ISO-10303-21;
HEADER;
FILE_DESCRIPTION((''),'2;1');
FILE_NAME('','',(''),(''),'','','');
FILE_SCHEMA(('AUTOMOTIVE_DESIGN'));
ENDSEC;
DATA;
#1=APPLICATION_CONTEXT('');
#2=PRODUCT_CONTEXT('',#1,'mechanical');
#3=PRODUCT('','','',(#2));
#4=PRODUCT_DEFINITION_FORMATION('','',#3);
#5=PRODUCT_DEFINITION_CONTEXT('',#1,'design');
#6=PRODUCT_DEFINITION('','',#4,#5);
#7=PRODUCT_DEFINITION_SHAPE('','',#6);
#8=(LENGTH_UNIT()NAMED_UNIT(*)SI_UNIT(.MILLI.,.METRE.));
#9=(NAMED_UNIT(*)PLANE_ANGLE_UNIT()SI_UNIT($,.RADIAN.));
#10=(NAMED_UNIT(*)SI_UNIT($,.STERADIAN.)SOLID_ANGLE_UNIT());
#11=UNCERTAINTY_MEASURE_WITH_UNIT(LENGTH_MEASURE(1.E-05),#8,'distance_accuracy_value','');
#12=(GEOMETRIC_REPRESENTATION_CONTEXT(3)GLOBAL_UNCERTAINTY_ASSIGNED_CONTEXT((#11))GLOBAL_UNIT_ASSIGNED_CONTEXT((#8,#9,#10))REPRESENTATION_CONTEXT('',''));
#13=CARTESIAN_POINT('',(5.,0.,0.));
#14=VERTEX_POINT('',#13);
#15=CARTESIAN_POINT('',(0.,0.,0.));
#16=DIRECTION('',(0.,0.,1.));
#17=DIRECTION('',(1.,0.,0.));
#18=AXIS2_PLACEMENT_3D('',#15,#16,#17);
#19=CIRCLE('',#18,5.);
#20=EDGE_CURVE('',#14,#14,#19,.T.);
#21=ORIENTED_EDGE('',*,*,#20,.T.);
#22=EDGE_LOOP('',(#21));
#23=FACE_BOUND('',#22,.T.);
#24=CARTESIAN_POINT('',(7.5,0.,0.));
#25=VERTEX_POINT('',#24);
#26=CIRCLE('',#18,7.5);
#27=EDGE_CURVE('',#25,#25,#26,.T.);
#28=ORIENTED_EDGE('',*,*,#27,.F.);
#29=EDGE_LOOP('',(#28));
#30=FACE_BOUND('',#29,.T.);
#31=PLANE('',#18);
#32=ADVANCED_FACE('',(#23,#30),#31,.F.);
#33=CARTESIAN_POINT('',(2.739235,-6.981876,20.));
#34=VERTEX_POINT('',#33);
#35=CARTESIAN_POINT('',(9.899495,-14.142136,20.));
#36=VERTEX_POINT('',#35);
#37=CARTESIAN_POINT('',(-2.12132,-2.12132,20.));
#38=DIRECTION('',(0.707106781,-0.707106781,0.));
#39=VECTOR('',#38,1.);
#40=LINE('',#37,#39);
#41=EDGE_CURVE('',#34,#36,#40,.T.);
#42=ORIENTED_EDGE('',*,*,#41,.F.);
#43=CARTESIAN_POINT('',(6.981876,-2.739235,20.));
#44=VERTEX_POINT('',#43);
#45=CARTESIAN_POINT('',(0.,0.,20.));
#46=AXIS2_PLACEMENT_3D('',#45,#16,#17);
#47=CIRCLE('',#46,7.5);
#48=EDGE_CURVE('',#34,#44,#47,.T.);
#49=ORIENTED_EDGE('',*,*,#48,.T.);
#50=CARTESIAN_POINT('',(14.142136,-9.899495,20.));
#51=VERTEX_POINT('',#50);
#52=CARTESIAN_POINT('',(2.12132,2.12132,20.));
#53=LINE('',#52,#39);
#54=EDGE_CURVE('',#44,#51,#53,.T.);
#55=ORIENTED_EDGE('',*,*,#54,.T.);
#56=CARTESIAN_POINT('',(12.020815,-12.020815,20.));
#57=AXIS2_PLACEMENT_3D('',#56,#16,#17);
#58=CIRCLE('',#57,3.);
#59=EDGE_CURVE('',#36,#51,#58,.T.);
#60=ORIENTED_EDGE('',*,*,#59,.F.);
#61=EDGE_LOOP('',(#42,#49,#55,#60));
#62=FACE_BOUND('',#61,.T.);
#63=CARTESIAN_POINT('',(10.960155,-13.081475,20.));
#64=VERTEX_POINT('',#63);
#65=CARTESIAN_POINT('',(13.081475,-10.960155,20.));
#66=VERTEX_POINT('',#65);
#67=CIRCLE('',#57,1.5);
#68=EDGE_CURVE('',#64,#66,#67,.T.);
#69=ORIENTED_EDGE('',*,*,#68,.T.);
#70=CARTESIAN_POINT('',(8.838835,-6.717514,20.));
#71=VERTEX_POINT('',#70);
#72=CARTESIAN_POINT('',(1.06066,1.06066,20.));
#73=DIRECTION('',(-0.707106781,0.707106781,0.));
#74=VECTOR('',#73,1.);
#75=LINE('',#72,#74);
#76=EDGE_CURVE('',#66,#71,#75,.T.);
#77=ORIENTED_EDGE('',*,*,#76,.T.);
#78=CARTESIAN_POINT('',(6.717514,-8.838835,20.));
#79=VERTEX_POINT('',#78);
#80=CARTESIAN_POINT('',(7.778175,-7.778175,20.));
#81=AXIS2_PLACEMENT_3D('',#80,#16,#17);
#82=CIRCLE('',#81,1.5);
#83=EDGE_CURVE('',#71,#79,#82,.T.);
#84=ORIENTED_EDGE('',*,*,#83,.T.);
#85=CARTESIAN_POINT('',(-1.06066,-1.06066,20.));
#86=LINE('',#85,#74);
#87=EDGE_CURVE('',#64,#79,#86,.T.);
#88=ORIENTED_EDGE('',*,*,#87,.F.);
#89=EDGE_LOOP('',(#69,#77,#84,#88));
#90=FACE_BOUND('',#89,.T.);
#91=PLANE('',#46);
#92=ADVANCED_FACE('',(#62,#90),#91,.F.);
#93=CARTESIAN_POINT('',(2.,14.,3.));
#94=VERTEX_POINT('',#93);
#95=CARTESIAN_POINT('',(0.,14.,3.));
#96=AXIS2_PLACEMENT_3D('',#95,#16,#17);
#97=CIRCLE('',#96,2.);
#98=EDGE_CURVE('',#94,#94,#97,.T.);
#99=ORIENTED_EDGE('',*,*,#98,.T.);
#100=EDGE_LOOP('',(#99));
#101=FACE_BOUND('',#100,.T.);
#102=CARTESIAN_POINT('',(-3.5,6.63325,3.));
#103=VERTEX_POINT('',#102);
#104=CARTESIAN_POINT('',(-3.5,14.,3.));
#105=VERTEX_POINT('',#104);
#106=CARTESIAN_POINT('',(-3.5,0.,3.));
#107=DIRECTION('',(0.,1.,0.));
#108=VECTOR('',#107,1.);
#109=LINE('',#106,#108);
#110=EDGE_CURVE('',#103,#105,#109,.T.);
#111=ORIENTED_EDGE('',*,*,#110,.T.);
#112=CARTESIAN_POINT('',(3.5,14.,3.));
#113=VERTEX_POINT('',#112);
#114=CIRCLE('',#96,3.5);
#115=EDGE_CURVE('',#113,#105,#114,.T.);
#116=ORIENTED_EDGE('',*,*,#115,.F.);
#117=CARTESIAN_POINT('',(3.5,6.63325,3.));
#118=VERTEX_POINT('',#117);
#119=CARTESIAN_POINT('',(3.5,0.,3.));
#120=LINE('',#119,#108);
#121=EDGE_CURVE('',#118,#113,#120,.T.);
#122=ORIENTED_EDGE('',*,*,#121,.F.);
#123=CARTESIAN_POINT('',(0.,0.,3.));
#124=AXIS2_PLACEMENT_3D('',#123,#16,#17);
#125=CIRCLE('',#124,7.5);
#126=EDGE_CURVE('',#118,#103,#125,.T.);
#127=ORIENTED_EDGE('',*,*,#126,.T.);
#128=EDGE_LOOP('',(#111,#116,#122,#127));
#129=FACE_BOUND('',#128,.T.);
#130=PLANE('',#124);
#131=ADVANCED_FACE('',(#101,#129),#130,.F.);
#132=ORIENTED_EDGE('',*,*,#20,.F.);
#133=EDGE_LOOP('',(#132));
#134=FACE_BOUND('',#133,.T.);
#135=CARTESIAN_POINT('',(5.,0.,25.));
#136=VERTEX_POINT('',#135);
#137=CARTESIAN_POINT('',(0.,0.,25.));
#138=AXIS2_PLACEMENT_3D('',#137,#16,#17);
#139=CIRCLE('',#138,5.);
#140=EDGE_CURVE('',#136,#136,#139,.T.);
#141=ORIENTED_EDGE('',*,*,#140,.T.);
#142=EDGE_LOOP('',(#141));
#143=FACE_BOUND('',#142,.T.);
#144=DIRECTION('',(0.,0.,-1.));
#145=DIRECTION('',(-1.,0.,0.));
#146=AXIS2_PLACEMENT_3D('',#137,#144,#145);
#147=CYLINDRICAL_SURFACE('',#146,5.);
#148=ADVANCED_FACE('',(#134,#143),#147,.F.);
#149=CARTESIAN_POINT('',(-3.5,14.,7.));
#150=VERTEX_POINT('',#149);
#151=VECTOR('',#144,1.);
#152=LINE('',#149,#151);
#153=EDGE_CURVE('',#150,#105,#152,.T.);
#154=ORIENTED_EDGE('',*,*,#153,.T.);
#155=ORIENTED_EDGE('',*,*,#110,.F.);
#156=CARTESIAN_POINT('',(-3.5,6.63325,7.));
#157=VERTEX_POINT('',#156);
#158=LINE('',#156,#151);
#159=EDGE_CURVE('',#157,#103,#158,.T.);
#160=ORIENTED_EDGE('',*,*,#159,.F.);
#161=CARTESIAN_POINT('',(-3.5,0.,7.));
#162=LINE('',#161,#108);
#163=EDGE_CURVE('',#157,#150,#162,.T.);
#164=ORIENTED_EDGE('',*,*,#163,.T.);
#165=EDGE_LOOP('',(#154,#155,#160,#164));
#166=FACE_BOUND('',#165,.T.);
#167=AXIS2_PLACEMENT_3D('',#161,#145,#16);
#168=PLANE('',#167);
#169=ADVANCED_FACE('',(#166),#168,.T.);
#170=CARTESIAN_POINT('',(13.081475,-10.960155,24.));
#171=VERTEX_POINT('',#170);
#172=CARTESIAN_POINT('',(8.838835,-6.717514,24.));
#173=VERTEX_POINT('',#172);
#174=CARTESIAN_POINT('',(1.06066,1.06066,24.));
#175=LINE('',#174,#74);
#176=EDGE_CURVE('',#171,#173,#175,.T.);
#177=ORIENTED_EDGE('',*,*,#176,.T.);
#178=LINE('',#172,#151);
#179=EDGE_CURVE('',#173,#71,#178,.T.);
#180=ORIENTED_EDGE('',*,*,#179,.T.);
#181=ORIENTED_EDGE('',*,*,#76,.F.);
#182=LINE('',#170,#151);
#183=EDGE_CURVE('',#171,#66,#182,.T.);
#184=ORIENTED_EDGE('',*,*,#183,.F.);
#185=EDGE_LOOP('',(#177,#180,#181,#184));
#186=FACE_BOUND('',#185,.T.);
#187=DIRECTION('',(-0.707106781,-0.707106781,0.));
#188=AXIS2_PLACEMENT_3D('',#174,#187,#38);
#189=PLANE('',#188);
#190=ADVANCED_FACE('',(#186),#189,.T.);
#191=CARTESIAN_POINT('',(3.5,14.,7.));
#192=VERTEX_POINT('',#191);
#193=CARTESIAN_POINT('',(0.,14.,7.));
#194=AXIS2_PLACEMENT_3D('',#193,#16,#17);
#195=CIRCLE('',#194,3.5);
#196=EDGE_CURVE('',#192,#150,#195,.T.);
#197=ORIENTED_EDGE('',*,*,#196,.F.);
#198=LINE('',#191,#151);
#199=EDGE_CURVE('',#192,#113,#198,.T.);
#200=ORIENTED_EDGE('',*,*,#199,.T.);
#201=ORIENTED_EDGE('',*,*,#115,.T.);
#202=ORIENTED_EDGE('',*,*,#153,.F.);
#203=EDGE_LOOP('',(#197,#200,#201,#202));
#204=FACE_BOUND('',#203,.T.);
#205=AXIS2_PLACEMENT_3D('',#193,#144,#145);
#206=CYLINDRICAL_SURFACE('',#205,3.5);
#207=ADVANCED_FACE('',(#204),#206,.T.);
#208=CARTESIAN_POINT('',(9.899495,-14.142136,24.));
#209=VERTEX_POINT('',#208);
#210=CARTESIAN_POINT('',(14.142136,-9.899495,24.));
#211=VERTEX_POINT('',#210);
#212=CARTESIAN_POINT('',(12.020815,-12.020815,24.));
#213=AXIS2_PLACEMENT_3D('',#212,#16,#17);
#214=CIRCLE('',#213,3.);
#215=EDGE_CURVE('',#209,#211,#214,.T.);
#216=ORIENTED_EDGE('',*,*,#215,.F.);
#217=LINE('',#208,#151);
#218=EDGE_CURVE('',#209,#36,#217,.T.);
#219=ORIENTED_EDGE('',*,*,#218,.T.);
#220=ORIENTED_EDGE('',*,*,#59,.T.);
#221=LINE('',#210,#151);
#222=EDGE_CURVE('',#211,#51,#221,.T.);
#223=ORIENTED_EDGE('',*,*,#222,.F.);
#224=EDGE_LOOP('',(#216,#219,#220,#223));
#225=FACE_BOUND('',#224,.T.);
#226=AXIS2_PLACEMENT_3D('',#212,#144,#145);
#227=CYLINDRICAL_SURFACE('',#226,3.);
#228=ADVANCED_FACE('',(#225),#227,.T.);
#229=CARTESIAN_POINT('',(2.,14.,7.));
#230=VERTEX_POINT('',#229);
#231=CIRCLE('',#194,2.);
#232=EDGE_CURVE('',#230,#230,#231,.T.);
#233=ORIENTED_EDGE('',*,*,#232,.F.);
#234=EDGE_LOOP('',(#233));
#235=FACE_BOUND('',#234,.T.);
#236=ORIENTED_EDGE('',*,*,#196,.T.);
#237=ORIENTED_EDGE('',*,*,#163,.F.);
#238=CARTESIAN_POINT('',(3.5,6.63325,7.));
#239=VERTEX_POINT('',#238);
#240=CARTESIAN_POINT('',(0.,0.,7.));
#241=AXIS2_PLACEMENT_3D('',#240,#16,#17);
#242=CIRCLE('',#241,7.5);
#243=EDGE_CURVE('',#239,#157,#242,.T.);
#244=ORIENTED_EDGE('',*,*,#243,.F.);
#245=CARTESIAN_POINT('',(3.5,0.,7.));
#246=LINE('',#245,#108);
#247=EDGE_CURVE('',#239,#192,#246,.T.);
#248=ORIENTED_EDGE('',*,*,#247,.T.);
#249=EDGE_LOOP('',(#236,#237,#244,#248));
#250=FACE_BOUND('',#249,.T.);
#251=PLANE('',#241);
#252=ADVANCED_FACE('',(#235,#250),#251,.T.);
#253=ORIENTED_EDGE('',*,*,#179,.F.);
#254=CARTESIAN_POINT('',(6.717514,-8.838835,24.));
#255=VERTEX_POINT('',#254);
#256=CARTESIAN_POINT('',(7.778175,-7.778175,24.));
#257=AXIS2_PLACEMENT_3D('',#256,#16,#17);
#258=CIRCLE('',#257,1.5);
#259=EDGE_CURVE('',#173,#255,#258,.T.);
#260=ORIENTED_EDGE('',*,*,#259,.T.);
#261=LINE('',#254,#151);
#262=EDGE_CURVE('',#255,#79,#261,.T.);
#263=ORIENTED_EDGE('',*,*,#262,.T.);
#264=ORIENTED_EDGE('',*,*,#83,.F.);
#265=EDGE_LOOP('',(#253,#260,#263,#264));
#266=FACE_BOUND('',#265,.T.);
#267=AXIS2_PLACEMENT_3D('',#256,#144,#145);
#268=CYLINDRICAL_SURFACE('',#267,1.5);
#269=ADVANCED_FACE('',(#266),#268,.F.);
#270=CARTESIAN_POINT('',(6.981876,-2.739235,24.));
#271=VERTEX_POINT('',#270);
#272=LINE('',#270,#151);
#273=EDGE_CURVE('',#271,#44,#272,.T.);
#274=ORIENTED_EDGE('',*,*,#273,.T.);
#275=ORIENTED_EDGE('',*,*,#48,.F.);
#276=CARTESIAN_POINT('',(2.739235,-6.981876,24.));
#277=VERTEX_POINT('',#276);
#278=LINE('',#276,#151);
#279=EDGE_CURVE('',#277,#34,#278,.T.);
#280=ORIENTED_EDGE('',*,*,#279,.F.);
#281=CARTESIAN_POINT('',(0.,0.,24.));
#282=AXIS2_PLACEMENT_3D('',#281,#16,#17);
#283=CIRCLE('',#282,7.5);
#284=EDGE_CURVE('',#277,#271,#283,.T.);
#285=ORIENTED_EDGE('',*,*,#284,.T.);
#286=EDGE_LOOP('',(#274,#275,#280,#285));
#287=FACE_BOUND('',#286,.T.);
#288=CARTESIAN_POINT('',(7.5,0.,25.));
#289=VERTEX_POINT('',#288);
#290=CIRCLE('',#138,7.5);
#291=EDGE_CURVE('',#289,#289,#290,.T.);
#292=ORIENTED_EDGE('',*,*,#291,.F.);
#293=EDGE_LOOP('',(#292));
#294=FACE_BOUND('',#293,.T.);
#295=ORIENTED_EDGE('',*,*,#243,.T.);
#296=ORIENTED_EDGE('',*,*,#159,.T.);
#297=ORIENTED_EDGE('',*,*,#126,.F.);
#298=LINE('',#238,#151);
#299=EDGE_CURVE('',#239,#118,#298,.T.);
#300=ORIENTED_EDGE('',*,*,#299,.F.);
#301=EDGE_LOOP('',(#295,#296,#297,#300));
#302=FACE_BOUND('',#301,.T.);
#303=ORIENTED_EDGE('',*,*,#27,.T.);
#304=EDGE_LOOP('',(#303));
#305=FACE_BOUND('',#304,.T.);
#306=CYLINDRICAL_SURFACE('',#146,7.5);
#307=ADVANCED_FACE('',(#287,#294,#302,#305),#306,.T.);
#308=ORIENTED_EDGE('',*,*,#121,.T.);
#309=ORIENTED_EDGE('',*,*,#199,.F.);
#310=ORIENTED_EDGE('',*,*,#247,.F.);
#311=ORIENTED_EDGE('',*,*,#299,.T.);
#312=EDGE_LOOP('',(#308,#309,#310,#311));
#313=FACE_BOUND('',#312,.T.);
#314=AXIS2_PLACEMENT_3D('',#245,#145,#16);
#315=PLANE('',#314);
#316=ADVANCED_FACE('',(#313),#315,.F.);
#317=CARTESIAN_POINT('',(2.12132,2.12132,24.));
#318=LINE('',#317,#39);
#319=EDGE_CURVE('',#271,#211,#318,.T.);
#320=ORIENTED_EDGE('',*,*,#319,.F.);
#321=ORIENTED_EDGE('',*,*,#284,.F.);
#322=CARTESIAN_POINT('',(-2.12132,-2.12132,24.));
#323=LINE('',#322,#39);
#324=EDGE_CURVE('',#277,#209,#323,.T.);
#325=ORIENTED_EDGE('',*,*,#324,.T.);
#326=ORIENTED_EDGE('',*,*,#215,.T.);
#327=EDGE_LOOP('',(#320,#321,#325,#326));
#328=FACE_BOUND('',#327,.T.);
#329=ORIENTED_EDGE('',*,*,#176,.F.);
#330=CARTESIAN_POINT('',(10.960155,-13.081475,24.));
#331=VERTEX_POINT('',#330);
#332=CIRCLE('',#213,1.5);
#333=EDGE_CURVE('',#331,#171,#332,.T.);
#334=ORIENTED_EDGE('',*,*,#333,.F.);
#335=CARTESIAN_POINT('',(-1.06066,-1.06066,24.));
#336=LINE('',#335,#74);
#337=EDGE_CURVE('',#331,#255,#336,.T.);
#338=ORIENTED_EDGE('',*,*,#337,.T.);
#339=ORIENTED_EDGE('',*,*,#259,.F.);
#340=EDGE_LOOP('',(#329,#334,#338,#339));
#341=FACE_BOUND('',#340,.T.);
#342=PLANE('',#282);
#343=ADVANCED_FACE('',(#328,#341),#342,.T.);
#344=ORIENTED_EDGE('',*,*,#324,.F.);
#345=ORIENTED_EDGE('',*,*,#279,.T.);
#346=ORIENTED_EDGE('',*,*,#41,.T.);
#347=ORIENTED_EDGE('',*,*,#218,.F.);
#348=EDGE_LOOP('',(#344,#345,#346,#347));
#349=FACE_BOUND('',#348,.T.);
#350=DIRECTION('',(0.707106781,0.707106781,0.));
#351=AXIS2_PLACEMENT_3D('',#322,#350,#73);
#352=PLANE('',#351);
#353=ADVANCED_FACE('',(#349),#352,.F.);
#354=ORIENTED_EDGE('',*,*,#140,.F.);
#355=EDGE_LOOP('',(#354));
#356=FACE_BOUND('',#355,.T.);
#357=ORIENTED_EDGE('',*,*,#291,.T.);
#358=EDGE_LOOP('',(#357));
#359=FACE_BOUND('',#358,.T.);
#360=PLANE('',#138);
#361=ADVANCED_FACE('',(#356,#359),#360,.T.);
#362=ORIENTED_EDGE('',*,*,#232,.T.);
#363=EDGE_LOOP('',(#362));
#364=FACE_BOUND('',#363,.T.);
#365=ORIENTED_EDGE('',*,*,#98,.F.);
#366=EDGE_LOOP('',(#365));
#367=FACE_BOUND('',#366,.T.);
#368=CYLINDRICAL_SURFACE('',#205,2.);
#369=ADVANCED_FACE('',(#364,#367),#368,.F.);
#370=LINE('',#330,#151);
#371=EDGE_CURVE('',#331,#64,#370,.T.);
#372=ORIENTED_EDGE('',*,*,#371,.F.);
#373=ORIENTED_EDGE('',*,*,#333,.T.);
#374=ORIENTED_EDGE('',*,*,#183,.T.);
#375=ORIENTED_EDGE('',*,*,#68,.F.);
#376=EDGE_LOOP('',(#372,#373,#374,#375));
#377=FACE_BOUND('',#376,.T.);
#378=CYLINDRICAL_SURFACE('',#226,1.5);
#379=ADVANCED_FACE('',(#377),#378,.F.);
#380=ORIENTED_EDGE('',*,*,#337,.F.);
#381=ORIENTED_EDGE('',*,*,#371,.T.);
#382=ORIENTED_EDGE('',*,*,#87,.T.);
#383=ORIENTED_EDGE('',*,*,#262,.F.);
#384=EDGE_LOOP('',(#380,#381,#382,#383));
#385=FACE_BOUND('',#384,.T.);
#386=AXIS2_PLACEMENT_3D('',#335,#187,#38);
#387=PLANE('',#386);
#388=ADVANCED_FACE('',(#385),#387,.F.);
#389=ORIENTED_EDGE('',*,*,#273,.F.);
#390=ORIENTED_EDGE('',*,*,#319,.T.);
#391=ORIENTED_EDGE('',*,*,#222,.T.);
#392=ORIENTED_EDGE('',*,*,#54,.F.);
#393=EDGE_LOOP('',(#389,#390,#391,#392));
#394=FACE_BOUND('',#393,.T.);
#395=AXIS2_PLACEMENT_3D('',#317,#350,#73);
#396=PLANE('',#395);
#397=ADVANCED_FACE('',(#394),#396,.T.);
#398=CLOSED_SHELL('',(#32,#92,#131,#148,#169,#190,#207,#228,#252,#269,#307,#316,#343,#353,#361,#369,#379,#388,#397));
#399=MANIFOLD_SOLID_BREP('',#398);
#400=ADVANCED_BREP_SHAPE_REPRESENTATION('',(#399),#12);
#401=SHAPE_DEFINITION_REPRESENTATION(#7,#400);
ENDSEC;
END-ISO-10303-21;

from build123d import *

# Parameters (mm, degrees)
SKETCH_1_R      = 7.5
SKETCH_1_R_2    = 5
EXTRUDE_1_DEPTH = 25
EXTRUDE_START   = 3
SKETCH_1_3_R    = 2
EXTRUDE_2_DEPTH = 4
EXTRUDE_START_2 = 20
EXTRUDE_3_DEPTH = 4


with BuildPart() as part:
    # Эскиз1 → Бобышка-Вытянуть1 (new body)
    with BuildSketch(Plane.XY):
        Circle(SKETCH_1_R)
        Circle(SKETCH_1_R_2, mode=Mode.SUBTRACT)
    extrude(amount=EXTRUDE_1_DEPTH)

    # Эскиз1<3> → Бобышка-Вытянуть2 (add)
    with BuildSketch(Plane.XY.offset(EXTRUDE_START)):
        with BuildLine():
            Line((-3.5, 14), (-3.5, 6.633249581))
            ThreePointArc((-3.5, 6.633249581), (0, 7.5), (3.5, 6.633249581))
            Line((3.5, 6.633249581), (3.5, 14))
            ThreePointArc((3.5, 14), (0, 17.5), (-3.5, 14))
        make_face()
        with Locations((0, 14)):
            Circle(SKETCH_1_3_R, mode=Mode.SUBTRACT)
    extrude(amount=EXTRUDE_2_DEPTH)

    # Эскиз1<4> → Бобышка-Вытянуть3 (add)
    with BuildSketch(Plane.XY.offset(EXTRUDE_START_2)):
        with BuildLine():
            ThreePointArc((6.981875867, -2.73923518), (5.303300859, -5.303300859), (2.73923518, -6.981875867))
            Line((2.73923518, -6.981875867), (9.899494937, -14.142135624))
            ThreePointArc((9.899494937, -14.142135624), (14.142135624, -14.142135624), (14.142135624, -9.899494937))
            Line((14.142135624, -9.899494937), (6.981875867, -2.73923518))
        make_face()
        with BuildLine():
            ThreePointArc((13.081475452, -10.960155108), (13.081475452, -13.081475452), (10.960155108, -13.081475452))
            Line((10.960155108, -13.081475452), (6.717514421, -8.838834765))
            ThreePointArc((6.717514421, -8.838834765), (6.717514421, -6.717514421), (8.838834765, -6.717514421))
            Line((8.838834765, -6.717514421), (13.081475452, -10.960155108))
        make_face(mode=Mode.SUBTRACT)
    extrude(amount=EXTRUDE_3_DEPTH)


solid = part.part
